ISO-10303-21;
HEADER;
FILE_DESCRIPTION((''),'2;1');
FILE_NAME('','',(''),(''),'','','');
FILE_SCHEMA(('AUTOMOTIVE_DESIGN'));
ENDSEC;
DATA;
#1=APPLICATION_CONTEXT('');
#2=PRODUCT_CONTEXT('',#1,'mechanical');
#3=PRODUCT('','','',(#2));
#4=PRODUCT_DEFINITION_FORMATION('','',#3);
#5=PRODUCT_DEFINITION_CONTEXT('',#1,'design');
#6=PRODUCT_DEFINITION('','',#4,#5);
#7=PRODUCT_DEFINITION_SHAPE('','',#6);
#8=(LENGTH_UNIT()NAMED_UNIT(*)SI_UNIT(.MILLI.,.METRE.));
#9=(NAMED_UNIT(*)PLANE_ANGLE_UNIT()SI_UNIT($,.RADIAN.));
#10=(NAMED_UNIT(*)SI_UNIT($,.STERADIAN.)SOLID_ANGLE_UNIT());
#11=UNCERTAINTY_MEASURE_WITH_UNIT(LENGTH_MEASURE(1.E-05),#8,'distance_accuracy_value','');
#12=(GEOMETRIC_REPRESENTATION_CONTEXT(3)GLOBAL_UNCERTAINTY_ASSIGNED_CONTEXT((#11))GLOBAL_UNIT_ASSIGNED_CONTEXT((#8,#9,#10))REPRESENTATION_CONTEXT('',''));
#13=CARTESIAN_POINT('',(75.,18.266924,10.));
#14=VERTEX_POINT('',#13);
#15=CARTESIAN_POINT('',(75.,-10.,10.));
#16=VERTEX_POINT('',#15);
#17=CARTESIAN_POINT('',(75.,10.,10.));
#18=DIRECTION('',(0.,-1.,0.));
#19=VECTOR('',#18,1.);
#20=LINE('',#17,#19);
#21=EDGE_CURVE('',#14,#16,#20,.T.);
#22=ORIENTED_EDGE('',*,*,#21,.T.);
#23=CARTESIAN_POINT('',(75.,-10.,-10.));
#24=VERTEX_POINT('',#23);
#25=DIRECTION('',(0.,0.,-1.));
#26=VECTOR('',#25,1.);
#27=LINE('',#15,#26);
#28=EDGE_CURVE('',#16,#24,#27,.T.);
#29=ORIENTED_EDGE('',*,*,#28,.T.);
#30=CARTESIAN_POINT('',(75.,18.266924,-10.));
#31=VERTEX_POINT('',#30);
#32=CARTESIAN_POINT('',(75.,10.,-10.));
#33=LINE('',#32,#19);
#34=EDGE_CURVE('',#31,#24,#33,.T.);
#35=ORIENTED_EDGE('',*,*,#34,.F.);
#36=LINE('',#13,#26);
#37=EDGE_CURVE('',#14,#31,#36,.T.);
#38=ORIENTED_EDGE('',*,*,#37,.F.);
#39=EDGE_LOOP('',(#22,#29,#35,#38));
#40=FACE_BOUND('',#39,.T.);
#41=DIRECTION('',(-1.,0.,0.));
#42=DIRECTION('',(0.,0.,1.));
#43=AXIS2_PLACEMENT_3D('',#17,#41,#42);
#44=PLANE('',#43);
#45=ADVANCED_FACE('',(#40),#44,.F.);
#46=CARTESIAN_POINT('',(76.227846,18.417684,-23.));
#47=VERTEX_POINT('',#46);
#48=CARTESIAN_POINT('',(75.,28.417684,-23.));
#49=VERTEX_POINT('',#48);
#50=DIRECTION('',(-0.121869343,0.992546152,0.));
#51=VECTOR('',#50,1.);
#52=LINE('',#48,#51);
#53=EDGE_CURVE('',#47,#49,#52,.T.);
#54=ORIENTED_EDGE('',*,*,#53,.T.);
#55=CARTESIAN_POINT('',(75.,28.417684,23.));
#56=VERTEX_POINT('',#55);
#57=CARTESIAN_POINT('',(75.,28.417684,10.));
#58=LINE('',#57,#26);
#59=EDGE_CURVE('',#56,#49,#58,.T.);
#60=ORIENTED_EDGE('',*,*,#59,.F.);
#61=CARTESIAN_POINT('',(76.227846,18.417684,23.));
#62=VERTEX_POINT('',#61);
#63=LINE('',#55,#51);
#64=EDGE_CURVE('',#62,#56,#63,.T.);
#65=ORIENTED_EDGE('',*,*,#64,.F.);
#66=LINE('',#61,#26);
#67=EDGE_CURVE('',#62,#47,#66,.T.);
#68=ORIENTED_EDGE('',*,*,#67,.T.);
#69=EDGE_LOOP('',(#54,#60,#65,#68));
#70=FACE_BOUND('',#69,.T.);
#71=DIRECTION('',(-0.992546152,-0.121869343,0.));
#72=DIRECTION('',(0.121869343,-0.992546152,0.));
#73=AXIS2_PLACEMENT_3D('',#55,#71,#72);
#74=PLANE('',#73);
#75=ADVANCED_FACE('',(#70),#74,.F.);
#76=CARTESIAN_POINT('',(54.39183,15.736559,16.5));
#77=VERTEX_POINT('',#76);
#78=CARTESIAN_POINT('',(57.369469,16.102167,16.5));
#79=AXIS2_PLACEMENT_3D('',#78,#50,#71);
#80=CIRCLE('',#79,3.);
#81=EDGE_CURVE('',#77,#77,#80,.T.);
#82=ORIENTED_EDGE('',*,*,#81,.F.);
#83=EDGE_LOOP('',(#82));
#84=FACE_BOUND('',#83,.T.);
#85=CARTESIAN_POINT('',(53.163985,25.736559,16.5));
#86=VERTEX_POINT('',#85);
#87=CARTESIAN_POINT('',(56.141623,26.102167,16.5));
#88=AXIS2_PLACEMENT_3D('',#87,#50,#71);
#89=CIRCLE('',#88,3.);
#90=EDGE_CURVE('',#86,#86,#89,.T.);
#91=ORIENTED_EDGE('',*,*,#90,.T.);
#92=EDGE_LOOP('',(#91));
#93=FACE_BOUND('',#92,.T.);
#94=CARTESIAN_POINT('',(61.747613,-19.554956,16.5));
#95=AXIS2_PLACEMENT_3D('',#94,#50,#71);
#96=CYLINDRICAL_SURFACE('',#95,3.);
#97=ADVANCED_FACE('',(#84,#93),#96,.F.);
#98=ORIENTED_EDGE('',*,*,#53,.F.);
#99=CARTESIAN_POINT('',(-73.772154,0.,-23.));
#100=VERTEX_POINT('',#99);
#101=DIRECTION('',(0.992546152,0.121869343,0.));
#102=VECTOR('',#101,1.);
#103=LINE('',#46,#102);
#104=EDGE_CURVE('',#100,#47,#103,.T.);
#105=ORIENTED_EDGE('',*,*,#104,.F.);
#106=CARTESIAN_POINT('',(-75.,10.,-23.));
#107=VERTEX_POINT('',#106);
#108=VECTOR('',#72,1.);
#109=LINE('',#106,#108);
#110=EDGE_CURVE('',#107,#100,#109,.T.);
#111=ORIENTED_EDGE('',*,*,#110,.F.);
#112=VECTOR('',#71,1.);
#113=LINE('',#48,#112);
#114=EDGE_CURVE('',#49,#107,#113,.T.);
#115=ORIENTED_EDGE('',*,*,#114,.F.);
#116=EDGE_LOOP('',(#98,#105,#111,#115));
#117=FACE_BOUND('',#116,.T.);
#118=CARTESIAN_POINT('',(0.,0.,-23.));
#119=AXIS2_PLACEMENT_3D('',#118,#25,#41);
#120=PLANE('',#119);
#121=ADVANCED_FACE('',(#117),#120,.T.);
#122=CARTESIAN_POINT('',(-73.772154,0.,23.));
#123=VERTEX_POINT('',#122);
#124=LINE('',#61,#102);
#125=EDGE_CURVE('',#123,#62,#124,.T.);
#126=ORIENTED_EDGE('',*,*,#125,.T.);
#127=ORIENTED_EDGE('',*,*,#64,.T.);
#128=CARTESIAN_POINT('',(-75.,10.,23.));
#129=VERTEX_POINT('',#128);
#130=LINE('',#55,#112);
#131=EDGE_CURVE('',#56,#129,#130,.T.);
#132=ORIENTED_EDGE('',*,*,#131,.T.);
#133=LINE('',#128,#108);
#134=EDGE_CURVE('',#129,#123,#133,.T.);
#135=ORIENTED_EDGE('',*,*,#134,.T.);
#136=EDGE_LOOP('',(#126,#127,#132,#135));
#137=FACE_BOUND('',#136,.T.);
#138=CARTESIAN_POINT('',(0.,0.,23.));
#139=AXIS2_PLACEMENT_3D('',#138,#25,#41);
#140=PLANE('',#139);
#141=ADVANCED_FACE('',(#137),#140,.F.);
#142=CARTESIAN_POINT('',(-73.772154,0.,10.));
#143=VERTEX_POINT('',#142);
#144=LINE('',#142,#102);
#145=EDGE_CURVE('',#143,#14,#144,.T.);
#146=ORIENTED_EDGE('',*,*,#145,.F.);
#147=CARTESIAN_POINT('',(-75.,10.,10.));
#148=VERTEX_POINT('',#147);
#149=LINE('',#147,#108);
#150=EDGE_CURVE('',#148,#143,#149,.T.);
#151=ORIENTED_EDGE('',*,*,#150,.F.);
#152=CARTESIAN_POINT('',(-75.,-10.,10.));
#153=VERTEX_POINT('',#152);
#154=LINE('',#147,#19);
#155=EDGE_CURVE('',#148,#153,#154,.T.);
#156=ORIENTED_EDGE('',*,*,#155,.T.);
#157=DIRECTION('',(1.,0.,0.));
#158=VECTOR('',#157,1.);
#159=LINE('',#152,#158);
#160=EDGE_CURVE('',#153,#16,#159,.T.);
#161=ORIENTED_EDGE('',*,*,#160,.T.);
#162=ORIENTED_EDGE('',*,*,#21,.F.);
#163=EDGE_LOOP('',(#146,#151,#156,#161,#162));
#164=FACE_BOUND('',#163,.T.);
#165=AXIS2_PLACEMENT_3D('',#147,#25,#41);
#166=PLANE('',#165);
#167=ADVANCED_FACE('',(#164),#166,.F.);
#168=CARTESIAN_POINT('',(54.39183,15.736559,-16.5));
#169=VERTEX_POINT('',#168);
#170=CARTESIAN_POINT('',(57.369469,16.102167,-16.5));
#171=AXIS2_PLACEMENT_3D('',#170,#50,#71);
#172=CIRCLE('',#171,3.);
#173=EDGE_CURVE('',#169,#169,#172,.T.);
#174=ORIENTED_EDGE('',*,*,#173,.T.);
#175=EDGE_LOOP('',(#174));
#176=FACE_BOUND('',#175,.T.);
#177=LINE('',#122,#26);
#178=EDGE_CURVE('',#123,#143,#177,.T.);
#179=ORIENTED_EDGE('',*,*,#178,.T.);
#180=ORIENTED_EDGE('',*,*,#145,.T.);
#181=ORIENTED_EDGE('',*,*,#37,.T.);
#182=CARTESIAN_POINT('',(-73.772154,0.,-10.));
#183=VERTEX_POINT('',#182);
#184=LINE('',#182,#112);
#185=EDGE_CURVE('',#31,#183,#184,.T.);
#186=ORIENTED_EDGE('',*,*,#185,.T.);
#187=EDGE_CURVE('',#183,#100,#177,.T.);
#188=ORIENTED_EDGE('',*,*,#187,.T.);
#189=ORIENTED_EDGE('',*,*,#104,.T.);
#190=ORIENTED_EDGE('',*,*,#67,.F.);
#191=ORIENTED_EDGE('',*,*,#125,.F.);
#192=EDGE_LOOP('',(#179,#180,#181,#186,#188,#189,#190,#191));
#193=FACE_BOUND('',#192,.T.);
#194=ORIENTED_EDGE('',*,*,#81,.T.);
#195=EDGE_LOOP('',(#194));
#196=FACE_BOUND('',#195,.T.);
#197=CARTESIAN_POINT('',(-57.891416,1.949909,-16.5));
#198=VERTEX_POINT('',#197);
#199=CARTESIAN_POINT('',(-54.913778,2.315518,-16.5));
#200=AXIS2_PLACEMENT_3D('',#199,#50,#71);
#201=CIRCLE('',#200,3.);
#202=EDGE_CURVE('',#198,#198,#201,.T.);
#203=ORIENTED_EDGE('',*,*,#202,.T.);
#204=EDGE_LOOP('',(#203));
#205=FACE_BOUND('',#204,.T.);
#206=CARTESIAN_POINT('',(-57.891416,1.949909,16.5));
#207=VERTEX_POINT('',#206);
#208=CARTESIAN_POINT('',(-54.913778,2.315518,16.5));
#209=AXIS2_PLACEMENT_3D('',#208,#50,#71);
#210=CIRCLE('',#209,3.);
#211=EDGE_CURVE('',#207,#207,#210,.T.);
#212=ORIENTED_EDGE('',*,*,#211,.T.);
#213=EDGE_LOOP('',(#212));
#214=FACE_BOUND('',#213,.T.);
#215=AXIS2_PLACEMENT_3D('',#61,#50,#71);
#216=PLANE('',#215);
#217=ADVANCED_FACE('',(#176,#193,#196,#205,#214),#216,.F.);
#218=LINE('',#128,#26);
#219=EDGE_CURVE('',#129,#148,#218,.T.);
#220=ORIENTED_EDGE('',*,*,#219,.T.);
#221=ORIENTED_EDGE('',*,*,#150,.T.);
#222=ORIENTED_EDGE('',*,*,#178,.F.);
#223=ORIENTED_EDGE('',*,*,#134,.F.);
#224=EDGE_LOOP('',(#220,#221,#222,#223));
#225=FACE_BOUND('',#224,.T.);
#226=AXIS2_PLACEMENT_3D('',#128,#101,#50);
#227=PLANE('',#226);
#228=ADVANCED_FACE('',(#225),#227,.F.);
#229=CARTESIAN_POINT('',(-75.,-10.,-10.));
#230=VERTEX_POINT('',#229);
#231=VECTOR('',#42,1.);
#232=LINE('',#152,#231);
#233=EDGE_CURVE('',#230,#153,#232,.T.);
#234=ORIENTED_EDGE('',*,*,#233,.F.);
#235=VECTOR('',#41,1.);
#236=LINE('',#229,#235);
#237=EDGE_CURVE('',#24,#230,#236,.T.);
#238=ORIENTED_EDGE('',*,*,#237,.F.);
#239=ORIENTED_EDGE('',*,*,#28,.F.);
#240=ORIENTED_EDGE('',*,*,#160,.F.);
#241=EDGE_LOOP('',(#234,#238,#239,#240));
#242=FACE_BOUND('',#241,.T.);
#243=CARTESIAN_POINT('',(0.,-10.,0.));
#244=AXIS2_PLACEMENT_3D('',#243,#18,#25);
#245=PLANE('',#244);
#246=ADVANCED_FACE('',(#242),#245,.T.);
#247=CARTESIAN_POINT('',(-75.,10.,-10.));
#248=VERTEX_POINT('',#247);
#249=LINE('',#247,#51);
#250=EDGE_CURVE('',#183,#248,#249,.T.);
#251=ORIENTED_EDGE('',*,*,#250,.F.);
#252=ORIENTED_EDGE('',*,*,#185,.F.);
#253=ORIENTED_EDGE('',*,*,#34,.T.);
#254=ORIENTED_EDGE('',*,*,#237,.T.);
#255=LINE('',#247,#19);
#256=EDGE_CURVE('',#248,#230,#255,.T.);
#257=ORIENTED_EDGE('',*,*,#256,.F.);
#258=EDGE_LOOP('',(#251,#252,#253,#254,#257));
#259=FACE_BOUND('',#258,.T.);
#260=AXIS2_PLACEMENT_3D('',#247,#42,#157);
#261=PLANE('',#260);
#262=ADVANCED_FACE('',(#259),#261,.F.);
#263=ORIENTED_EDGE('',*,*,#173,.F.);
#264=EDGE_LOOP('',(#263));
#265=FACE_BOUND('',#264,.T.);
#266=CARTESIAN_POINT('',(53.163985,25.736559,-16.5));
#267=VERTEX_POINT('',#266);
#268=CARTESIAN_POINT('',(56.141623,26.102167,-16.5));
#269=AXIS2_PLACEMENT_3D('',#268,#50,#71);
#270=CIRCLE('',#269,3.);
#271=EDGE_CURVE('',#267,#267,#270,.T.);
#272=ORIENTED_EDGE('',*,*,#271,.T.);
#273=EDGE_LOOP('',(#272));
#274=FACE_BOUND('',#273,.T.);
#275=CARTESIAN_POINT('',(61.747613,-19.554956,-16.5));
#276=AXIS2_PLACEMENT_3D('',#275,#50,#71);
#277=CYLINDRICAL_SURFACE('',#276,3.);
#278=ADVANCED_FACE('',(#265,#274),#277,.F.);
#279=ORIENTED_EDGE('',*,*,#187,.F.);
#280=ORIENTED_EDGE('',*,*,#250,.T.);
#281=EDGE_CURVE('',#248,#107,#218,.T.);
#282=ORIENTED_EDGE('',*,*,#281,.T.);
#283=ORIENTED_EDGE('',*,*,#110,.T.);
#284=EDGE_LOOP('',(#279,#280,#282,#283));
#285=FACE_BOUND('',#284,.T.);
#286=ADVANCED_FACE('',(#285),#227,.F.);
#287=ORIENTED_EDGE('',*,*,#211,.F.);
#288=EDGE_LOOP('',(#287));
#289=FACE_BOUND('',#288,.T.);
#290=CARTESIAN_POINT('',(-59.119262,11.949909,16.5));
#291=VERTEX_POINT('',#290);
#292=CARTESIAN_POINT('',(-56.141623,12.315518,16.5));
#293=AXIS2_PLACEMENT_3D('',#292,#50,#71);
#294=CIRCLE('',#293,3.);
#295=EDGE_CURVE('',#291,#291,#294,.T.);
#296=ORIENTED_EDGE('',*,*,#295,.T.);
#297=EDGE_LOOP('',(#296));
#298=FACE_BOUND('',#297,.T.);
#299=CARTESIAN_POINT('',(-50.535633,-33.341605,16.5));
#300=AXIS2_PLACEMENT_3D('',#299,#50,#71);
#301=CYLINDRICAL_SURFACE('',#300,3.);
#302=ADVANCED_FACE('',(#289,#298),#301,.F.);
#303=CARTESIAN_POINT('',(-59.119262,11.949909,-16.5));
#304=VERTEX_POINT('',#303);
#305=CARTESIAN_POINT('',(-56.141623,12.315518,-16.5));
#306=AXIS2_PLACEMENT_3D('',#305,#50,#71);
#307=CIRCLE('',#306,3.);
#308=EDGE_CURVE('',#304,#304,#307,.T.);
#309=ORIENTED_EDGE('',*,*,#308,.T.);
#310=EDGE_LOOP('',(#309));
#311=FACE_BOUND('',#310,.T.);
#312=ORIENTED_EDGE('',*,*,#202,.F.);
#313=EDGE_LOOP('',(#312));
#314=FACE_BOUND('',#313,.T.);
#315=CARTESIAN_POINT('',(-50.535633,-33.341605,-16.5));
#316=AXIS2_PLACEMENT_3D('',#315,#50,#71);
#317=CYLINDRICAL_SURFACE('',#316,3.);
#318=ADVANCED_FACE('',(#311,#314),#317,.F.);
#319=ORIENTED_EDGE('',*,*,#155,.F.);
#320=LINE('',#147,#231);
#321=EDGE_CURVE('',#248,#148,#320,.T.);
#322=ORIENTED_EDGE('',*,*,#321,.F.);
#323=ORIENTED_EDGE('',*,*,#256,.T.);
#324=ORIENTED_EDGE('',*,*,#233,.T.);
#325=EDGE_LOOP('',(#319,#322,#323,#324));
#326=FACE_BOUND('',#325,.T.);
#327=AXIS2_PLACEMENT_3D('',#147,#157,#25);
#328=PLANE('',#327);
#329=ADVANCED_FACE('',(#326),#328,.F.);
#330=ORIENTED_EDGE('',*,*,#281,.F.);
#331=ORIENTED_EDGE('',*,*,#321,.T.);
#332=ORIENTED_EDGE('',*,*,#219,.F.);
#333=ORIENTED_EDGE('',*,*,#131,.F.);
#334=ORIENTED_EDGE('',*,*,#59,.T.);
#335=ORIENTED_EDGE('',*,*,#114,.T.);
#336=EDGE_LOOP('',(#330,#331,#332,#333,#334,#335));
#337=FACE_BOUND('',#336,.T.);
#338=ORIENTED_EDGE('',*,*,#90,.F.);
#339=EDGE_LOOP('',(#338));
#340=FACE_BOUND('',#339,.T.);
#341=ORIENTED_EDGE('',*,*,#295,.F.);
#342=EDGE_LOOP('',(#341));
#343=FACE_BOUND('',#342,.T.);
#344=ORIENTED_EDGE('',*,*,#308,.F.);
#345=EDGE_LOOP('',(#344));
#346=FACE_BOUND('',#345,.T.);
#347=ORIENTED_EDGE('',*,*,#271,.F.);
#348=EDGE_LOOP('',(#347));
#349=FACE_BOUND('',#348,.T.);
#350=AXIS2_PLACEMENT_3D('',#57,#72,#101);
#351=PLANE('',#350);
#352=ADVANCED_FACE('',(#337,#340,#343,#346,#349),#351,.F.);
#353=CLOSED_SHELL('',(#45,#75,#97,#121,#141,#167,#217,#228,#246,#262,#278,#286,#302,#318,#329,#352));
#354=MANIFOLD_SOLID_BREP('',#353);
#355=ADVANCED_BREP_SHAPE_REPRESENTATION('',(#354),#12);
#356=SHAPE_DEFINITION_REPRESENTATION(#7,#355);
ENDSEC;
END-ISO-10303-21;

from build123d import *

# Parameters (mm, degrees)
SKETCH1_W           = 150
SKETCH1_H           = 20
BOSS_EXTRUDE1_DEPTH = 10
BOSS_EXTRUDE2_DEPTH = 10
BOSS_EXTRUDE3_DEPTH = 23
SKETCH6_R           = 3
CUT_EXTRUDE2_DEPTH  = 46


with BuildPart() as part:
    # Sketch1 → Boss-Extrude1 (new, symmetric)
    with BuildSketch(Plane(origin=(0, 0, 0), x_dir=(1, 0, 0), z_dir=(0, 1, 0))):
        Rectangle(SKETCH1_W, SKETCH1_H)
    extrude(amount=BOSS_EXTRUDE1_DEPTH, both=True)

    # Sketch2 → Boss-Extrude2 (add, symmetric)
    with BuildSketch(Plane.XY):
        Polygon((-75, 10), (75, 10), (75, 28.417684135), align=None)
    extrude(amount=BOSS_EXTRUDE2_DEPTH, both=True)

    # Sketch3 → Boss-Extrude3 (add, symmetric)
    with BuildSketch(Plane.XY):
        Polygon((75, 28.417684135), (-75, 10), (-73.772154391, 0), (76.227845609, 18.417684135), align=None)
    extrude(amount=BOSS_EXTRUDE3_DEPTH, both=True)

    # Sketch6 → Cut-Extrude2 (cut)
    with BuildSketch(Plane(origin=(-2.323519743, 18.923549716, 0), x_dir=(0.9925461516413229, 0.12186934340514101, 0), z_dir=(-0.12186934340514102, 0.992546151641323, 0))):
        with Locations(Location((-54.222267939, 16.5, 0), (0, 0, 180))):
            Circle(SKETCH6_R)
        with Locations(Location((58.90420588, 16.5, 0), (0, 0, 180))):
            Circle(SKETCH6_R)
        with Locations(Location((58.90420588, -16.5, 0), (0, 0, 180))):
            Circle(SKETCH6_R)
        with Locations(Location((-54.222267939, -16.5, 0), (0, 0, 180))):
            Circle(SKETCH6_R)
    extrude(amount=-CUT_EXTRUDE2_DEPTH, mode=Mode.SUBTRACT)


solid = part.part
